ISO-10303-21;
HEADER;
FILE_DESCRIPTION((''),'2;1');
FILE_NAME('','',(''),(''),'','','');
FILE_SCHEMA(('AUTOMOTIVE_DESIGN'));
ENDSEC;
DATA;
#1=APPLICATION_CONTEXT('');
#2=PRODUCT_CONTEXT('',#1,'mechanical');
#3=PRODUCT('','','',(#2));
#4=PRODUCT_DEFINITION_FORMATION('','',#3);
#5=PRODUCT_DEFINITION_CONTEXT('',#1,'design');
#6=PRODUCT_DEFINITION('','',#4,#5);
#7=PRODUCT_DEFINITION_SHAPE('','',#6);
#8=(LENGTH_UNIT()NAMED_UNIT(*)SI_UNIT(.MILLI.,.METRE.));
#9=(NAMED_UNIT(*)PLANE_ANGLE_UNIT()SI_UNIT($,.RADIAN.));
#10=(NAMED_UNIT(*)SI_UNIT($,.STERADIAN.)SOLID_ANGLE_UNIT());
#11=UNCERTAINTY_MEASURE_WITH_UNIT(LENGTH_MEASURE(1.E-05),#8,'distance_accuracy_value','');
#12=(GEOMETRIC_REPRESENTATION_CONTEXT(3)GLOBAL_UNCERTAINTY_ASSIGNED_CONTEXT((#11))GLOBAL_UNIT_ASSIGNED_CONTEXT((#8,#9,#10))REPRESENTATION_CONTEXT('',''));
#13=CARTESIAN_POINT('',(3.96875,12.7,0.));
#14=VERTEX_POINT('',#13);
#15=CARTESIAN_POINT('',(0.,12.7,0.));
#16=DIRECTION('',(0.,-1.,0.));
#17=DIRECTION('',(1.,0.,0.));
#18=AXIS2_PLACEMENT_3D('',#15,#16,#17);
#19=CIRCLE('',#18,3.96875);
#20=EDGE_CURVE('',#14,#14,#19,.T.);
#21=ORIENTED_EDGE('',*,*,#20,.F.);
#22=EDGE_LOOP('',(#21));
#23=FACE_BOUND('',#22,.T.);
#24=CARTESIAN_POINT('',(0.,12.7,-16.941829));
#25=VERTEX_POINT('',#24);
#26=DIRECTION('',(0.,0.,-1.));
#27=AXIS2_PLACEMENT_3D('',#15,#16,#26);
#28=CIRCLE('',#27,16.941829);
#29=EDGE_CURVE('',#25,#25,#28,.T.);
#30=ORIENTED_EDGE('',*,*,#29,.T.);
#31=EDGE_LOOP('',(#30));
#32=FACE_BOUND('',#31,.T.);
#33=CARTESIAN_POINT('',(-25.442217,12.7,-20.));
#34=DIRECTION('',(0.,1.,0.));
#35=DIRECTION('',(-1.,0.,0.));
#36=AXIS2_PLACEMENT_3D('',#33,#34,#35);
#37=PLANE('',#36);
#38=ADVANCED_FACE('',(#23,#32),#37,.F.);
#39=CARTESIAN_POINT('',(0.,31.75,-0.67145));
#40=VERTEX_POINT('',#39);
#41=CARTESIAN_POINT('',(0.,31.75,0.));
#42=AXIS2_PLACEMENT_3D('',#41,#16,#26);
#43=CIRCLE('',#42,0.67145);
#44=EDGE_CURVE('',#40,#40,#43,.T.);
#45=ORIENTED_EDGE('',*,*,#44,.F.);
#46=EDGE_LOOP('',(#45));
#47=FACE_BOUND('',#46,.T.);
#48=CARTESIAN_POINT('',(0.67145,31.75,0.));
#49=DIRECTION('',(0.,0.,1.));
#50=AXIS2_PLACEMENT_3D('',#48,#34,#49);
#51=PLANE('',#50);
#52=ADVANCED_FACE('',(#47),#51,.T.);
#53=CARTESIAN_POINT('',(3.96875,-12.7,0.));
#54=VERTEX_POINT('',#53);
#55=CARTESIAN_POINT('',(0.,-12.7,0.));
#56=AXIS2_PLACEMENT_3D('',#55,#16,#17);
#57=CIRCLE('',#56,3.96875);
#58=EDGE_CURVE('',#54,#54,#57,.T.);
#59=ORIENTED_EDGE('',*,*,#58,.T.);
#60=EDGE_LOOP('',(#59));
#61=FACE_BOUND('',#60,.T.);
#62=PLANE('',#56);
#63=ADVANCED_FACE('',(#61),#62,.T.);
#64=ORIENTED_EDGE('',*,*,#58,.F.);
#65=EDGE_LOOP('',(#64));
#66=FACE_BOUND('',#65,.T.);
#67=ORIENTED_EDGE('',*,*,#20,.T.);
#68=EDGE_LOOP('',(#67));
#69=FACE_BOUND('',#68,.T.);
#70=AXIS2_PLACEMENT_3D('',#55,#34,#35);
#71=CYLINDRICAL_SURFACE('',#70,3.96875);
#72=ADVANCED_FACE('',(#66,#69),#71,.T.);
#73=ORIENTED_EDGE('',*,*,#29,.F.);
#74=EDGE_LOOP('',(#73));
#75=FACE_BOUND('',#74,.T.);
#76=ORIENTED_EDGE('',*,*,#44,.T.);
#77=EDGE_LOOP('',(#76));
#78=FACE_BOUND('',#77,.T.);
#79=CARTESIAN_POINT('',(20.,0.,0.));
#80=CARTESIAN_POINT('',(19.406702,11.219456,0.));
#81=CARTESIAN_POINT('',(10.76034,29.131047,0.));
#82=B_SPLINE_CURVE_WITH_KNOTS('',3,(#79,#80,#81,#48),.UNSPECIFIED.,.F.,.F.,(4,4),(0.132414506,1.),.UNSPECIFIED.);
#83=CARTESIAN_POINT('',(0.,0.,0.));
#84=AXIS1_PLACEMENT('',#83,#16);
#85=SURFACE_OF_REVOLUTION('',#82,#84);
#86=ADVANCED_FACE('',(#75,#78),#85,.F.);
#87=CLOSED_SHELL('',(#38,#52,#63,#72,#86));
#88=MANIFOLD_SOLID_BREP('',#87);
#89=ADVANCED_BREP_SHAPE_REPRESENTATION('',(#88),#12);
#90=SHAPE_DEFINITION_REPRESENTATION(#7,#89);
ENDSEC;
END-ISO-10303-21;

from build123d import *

# Parameters (mm, degrees)
CUT_EXTRUDE1_DEPTH      = 43.521318352
CUT_EXTRUDE1_DEPTH_BACK = 43.521318352
SKETCH1_W               = 53.107977593
SKETCH1_H               = 23.637371429
SKETCH5_R               = 3.96875
BOSS_EXTRUDE1_DEPTH     = 25.4


with BuildPart() as part:
    # 草图1 → 旋转1 (revolve)
    with BuildSketch(Plane.XY):
        with BuildLine():
            Line((0, 0), (0, 31.75))
            Line((0, 31.75), (0.671450483, 31.75))
            add(Edge.make_bspline(
                [(0.671450483, 31.75), (10.760339504, 29.131046737), (19.406701728, 11.219456234), (20, 0)],
                knots=[0.132414506, 0.132414506, 0.132414506, 0.132414506, 1, 1, 1, 1], degree=3))
            Line((20, 0), (0, 0))
        make_face()
    revolve(axis=Axis((0, 0, 0), (0, 1, 0)))

    # Sketch1 → Cut-Extrude1 (cut, two sides: drawn at the far end of the back side and taken through both)
    with BuildSketch(Plane.XY.offset(-CUT_EXTRUDE1_DEPTH_BACK)):
        with Locations((1.111771429, 0.881314286)):
            Rectangle(SKETCH1_W, SKETCH1_H)
    extrude(amount=CUT_EXTRUDE1_DEPTH + CUT_EXTRUDE1_DEPTH_BACK, mode=Mode.SUBTRACT)

    # Sketch5 → Boss-Extrude1 (add)
    with BuildSketch(Plane.XZ.offset(-12.7)):
        Circle(SKETCH5_R)
    extrude(amount=BOSS_EXTRUDE1_DEPTH)


solid = part.part
